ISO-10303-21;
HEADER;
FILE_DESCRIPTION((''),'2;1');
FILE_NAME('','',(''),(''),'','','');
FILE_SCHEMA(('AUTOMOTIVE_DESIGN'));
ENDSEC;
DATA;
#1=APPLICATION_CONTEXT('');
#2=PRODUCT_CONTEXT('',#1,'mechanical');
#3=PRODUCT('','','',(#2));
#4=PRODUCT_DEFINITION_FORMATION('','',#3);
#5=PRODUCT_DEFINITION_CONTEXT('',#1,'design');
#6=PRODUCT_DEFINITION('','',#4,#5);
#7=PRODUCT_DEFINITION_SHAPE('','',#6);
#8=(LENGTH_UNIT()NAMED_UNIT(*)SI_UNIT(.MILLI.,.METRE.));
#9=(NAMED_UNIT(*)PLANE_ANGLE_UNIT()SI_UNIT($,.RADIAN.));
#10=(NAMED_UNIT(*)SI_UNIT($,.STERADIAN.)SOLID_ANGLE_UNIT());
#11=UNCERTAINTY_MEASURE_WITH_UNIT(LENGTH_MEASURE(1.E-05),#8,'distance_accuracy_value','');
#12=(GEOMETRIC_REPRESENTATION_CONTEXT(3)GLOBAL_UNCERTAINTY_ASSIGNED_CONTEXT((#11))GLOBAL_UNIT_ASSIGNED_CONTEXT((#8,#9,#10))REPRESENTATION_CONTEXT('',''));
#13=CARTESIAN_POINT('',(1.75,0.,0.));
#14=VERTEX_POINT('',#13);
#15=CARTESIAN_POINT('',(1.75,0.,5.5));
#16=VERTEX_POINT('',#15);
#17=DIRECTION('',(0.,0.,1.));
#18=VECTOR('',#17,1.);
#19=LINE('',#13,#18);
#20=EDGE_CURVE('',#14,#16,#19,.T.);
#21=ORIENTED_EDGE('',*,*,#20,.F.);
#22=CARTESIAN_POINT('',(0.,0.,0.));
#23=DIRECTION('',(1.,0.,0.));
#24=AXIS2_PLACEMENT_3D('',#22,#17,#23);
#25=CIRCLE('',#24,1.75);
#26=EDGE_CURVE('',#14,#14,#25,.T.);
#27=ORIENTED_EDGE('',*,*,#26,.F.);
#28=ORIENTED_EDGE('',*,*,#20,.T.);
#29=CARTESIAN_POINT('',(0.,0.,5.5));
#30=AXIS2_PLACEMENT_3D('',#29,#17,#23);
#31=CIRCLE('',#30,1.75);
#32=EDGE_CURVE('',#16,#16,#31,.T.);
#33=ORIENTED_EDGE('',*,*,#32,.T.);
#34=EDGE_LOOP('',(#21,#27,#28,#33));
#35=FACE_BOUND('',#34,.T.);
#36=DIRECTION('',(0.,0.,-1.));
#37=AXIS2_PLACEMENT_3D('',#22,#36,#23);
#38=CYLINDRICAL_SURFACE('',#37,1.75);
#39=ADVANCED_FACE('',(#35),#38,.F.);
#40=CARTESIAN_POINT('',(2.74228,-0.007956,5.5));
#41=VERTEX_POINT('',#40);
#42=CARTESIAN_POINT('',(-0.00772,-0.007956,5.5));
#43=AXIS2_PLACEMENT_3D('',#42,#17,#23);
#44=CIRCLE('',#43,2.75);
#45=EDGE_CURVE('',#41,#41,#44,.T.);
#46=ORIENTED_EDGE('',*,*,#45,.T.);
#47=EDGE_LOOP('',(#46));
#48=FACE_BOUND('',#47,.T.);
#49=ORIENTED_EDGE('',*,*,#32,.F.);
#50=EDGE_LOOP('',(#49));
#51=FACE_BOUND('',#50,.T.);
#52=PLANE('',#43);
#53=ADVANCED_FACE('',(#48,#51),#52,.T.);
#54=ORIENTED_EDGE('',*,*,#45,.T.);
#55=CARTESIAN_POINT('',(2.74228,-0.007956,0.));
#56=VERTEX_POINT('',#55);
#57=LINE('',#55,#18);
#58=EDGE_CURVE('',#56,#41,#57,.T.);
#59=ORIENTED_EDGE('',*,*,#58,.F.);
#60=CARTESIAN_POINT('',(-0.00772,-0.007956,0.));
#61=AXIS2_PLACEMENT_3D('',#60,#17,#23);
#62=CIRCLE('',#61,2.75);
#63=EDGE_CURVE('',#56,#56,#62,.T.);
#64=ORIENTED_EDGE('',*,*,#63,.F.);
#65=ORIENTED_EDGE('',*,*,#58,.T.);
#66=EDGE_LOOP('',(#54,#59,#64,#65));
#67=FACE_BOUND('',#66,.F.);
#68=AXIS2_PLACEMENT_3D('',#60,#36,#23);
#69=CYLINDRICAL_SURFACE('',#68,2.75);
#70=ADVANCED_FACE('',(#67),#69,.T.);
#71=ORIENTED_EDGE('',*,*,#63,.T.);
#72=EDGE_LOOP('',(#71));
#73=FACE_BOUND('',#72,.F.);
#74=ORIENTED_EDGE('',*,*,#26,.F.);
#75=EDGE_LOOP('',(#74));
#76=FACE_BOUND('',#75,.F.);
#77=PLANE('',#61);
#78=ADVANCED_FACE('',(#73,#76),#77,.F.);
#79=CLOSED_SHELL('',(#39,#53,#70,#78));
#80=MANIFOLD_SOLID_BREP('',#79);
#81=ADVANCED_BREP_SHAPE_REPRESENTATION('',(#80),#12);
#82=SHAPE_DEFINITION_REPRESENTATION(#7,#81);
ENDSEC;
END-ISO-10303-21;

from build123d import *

# Parameters (mm, degrees)
F0_R     = 2.75
F0_R_2   = 1.75
F1_DEPTH = 5.5


with BuildPart() as f1:
    # F0 (on Top) → F1 (new body)
    with BuildSketch(Plane.XY):
        with Locations((-0.00772, -0.007956)):
            Circle(F0_R)
        Circle(F0_R_2, mode=Mode.SUBTRACT)
    extrude(amount=F1_DEPTH)


solid = f1.part
